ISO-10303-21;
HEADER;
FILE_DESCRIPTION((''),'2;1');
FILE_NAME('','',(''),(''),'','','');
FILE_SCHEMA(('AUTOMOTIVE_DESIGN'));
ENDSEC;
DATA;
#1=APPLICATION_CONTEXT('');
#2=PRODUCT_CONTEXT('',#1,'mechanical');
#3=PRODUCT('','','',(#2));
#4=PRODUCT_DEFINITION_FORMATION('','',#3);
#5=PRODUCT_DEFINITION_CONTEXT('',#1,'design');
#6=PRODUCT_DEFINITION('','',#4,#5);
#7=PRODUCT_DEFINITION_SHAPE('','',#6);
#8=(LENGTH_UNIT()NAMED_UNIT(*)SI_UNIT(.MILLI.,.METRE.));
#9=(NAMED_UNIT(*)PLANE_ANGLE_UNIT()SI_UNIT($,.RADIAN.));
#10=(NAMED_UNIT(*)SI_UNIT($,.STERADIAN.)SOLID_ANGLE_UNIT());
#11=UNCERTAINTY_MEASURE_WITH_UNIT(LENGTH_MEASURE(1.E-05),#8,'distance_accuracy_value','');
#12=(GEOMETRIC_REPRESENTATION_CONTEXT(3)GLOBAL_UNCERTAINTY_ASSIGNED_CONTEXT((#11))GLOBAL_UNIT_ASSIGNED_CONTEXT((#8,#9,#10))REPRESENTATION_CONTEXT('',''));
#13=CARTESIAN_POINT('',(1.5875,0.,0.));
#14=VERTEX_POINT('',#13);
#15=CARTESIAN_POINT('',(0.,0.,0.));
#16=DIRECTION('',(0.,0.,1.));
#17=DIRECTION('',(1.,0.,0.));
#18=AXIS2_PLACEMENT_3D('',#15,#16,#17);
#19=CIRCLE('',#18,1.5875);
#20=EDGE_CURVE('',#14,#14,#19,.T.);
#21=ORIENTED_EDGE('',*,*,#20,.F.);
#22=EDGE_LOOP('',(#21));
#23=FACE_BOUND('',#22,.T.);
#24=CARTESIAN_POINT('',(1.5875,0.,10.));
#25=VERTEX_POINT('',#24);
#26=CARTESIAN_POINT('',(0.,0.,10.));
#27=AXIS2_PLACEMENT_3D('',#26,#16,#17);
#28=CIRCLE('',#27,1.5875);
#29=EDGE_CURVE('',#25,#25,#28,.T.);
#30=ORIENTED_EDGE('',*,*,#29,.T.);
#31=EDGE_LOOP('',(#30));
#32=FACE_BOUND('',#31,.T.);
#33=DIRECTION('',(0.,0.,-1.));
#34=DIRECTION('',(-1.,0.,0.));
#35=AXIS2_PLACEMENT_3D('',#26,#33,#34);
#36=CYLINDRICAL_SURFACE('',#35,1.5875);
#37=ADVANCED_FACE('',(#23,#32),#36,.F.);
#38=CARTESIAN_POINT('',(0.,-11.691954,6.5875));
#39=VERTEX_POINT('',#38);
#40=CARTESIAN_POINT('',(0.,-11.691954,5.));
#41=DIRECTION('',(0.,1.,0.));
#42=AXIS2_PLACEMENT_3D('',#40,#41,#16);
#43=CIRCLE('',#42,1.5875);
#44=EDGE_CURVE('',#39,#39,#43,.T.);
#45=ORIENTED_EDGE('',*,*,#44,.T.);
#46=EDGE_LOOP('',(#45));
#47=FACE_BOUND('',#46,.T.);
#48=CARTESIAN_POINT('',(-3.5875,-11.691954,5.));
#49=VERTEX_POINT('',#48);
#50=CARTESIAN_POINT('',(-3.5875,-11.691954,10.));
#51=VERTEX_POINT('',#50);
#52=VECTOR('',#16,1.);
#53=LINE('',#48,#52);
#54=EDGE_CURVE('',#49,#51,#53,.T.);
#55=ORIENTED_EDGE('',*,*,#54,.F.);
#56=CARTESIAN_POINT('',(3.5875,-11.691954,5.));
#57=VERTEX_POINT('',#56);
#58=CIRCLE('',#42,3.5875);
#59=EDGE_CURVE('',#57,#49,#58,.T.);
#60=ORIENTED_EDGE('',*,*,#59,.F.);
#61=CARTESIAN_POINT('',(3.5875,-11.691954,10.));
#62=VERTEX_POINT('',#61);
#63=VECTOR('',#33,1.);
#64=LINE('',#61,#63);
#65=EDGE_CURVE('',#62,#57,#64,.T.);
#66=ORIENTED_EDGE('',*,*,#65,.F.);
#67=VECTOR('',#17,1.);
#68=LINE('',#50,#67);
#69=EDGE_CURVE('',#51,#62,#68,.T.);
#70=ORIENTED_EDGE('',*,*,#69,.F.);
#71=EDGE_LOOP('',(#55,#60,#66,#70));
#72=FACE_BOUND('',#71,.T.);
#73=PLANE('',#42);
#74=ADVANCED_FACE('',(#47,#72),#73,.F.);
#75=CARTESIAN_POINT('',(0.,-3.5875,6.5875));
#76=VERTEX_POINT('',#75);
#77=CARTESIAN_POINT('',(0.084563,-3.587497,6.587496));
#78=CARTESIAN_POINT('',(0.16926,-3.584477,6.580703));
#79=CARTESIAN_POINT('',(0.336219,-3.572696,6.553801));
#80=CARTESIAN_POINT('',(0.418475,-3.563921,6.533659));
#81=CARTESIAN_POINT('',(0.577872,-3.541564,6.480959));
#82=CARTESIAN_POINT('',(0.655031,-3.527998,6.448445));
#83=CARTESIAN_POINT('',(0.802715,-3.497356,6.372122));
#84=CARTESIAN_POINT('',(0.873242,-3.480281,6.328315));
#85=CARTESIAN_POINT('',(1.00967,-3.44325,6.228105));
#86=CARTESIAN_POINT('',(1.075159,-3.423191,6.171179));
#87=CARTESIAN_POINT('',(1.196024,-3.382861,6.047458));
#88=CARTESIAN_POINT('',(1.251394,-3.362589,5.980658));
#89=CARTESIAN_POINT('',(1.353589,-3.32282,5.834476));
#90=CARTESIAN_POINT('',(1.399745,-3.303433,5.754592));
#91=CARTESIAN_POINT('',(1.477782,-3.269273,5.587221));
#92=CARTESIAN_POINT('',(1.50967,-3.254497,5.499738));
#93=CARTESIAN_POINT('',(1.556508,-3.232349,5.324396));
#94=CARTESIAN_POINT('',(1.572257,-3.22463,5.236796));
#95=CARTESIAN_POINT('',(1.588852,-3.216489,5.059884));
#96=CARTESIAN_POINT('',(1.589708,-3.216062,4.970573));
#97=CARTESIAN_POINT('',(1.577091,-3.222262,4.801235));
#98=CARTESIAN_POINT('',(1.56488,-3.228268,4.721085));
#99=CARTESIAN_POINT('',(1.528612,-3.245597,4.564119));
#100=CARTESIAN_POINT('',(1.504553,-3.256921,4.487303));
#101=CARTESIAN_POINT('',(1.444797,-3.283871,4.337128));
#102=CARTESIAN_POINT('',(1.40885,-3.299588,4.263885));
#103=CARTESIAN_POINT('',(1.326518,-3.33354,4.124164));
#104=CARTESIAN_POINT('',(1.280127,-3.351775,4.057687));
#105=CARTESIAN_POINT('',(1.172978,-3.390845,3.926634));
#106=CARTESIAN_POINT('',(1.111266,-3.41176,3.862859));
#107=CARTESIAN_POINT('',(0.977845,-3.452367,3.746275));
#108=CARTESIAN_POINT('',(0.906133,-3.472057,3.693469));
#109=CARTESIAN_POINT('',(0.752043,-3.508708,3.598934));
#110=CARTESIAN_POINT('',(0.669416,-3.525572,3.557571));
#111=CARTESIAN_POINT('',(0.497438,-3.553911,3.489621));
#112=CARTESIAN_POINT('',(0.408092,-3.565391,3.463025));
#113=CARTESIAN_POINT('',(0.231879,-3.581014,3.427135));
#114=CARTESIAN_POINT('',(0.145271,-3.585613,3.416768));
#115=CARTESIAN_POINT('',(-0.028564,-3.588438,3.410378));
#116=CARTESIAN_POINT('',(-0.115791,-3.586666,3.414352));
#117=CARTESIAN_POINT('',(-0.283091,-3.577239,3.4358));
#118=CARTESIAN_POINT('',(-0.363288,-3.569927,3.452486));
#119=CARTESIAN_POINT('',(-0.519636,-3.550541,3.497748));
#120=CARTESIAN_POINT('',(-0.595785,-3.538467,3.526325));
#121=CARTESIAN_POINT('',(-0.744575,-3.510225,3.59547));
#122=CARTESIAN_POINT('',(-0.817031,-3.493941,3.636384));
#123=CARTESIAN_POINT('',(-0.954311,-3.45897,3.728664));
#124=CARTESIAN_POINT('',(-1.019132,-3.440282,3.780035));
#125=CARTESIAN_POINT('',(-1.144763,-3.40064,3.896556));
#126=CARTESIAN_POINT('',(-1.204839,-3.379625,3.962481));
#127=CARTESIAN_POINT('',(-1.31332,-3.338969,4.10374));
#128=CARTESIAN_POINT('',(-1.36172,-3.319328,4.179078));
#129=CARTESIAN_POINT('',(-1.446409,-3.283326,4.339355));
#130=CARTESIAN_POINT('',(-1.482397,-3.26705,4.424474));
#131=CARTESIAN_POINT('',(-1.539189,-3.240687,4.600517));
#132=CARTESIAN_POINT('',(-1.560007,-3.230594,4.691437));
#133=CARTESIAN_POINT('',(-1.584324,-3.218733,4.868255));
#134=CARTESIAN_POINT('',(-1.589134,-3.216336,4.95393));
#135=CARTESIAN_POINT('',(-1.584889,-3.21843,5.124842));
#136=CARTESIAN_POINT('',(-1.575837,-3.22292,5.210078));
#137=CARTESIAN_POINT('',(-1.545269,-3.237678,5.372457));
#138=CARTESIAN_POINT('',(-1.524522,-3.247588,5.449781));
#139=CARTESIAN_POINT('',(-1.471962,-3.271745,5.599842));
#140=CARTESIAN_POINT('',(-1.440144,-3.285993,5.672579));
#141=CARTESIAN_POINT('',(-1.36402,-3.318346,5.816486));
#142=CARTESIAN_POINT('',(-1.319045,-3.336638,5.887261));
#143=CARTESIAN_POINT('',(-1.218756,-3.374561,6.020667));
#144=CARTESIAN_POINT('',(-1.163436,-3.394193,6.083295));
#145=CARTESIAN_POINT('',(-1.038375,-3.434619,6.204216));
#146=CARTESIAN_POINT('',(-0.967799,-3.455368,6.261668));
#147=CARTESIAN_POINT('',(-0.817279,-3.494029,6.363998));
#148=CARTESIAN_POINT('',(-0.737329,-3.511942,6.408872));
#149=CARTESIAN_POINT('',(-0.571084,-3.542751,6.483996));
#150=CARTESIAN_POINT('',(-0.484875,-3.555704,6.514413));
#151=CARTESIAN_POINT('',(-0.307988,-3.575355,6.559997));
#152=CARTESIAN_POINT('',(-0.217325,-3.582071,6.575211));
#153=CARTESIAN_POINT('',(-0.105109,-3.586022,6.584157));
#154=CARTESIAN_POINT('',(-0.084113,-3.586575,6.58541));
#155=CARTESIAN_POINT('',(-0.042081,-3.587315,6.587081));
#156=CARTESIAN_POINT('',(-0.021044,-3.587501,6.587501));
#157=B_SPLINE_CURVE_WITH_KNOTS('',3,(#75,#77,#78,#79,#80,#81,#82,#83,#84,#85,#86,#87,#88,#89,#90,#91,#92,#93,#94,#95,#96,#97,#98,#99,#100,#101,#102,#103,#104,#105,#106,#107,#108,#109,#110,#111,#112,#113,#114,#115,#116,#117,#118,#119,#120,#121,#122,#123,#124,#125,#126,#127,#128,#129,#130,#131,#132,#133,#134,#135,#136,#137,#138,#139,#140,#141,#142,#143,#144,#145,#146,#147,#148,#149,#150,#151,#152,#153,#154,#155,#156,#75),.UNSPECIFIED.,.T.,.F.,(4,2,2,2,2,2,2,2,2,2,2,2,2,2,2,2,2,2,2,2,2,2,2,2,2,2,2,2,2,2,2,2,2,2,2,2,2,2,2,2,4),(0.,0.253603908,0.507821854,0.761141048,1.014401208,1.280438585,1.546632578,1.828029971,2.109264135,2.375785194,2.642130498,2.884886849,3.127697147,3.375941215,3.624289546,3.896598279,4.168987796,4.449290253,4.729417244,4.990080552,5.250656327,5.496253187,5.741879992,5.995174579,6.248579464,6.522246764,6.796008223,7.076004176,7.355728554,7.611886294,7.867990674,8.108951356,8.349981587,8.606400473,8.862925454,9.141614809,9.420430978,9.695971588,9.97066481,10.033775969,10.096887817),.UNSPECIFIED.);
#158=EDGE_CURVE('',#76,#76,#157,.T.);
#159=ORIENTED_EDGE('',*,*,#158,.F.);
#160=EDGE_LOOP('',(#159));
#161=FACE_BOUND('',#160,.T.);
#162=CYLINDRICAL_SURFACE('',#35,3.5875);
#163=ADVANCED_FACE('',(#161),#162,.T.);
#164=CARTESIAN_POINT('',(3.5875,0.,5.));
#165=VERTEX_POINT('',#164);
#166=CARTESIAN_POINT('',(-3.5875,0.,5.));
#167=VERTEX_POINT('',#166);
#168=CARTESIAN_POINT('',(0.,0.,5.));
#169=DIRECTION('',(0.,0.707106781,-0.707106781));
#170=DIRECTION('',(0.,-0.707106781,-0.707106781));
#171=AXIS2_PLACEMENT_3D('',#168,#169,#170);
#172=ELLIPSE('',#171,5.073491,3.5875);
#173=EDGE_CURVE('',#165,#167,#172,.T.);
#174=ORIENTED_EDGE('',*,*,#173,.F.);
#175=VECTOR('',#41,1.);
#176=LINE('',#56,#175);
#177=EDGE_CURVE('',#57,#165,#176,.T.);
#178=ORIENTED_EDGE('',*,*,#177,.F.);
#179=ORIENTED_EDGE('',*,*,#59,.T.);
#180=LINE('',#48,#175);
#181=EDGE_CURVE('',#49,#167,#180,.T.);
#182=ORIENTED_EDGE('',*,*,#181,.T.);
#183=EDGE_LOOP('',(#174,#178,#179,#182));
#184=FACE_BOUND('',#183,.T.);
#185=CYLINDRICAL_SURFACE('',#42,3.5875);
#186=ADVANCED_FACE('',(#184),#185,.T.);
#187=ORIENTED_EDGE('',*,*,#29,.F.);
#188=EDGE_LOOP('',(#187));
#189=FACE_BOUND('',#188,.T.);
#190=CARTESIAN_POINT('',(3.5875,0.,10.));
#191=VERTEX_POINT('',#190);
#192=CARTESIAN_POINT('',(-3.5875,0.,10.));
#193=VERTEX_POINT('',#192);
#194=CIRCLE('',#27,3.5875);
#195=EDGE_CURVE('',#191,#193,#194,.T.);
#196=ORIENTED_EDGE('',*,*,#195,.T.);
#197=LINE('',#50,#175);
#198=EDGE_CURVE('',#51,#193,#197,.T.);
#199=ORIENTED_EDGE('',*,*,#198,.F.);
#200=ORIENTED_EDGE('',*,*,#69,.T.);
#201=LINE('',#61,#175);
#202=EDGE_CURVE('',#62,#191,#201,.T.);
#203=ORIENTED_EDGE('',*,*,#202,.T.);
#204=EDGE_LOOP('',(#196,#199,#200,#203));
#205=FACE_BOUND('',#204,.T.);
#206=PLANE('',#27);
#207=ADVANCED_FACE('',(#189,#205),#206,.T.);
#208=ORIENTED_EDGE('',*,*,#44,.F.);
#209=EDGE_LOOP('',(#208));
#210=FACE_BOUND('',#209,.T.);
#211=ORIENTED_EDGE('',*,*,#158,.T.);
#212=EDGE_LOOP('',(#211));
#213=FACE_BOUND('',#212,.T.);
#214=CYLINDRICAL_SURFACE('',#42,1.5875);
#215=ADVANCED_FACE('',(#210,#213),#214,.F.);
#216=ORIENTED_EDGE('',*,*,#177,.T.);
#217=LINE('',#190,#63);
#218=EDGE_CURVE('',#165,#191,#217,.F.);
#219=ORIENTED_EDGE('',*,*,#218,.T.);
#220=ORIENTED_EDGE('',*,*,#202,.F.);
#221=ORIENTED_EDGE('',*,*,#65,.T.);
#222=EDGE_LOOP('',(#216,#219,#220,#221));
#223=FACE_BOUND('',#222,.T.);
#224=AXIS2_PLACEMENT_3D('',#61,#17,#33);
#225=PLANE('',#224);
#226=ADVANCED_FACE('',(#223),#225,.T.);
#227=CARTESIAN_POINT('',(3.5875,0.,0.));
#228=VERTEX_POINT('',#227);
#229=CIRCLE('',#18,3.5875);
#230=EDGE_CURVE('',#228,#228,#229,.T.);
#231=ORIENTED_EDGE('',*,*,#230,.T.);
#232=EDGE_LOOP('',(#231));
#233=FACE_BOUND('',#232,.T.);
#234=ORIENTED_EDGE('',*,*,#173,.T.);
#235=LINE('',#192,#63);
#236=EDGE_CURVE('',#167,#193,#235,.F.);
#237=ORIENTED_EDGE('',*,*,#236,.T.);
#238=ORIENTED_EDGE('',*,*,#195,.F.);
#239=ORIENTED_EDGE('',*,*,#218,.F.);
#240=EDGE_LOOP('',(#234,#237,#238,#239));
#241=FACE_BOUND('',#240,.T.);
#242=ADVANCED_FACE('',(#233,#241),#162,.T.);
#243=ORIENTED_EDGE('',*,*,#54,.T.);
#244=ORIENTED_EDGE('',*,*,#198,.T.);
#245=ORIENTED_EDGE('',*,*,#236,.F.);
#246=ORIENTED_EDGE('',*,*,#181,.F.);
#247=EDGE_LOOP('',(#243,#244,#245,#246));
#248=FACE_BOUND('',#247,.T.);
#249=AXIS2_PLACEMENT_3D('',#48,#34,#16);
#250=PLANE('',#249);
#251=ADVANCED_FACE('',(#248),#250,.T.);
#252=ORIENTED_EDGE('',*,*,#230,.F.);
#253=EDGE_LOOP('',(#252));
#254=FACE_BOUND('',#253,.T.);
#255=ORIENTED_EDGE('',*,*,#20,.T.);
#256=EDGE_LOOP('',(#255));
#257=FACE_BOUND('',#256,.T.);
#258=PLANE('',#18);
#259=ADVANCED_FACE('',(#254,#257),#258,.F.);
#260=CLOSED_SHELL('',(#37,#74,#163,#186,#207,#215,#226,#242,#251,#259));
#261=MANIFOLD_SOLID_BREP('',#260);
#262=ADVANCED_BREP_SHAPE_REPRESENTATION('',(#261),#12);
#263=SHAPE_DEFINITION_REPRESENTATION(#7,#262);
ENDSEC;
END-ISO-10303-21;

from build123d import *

# Parameters (mm, degrees)
SKETCH1_R           = 3.5875
SKETCH1_R_2         = 1.5875
BOSS_EXTRUDE1_DEPTH = 10
SKETCH2_R           = 1.5875
BOSS_EXTRUDE2_DEPTH = 10
BOSS_EXTRUDE3_REACH = 7.279


with BuildPart() as part:
    # Sketch1 → Boss-Extrude1 (new body)
    with BuildSketch(Plane.XY):
        Circle(SKETCH1_R)
        Circle(SKETCH1_R_2, mode=Mode.SUBTRACT)
    extrude(amount=BOSS_EXTRUDE1_DEPTH)

    # Sketch2 → Boss-Extrude2 (add)
    with BuildSketch(Plane(origin=(0, -1.69195383, 0), x_dir=(1, 0, 0), z_dir=(0, 1, 0))):
        with BuildLine():
            Line((-3.5875, -5), (-3.5875, -10))
            Line((-3.5875, -10), (3.5875, -10))
            Line((3.5875, -10), (3.5875, -5))
            ThreePointArc((3.5875, -5), (0, -1.4125), (-3.5875, -5))
        make_face()
        with Locations((0, -5)):
            Circle(SKETCH2_R, mode=Mode.SUBTRACT)
    extrude(amount=-BOSS_EXTRUDE2_DEPTH)

    # Sketch3 → Boss-Extrude3 (add, up to next)
    with BuildSketch(Plane(origin=(0, -1.69195383, 0), x_dir=(1, 0, 0), z_dir=(0, 1, 0)), mode=Mode.PRIVATE) as boss_extrude3_sk1:
        with BuildLine():
            Line((-3.5875, -10), (-3.5875, -5))
            ThreePointArc((-3.5875, -5), (-3.479874394, -4.127858699), (-3.16345515, -3.30804617))
            Line((-3.16345515, -3.30804617), (-3.16345515, -10))
            Line((-3.16345515, -10), (-3.5875, -10))
        make_face()
    boss_extrude3_tool1 = extrude(boss_extrude3_sk1.sketch, amount=BOSS_EXTRUDE3_REACH, mode=Mode.PRIVATE) - part.part
    add(boss_extrude3_tool1.solids().sort_by_distance((-3.367759, -1.691954, 6.916202))[0])
    # Sketch3 → Boss-Extrude3 (add, up to next)
    with BuildSketch(Plane(origin=(0, -1.69195383, 0), x_dir=(1, 0, 0), z_dir=(0, 1, 0)), mode=Mode.PRIVATE) as boss_extrude3_sk2:
        with BuildLine():
            Line((3.16345515, -10), (3.16345515, -3.30804617))
            ThreePointArc((3.16345515, -3.30804617), (3.479874394, -4.127858699), (3.5875, -5))
            Line((3.5875, -5), (3.5875, -10))
            Line((3.5875, -10), (3.16345515, -10))
        make_face()
    boss_extrude3_tool2 = extrude(boss_extrude3_sk2.sketch, amount=BOSS_EXTRUDE3_REACH, mode=Mode.PRIVATE) - part.part
    add(boss_extrude3_tool2.solids().sort_by_distance((3.367759, -1.691954, 6.916202))[0])


solid = part.part
